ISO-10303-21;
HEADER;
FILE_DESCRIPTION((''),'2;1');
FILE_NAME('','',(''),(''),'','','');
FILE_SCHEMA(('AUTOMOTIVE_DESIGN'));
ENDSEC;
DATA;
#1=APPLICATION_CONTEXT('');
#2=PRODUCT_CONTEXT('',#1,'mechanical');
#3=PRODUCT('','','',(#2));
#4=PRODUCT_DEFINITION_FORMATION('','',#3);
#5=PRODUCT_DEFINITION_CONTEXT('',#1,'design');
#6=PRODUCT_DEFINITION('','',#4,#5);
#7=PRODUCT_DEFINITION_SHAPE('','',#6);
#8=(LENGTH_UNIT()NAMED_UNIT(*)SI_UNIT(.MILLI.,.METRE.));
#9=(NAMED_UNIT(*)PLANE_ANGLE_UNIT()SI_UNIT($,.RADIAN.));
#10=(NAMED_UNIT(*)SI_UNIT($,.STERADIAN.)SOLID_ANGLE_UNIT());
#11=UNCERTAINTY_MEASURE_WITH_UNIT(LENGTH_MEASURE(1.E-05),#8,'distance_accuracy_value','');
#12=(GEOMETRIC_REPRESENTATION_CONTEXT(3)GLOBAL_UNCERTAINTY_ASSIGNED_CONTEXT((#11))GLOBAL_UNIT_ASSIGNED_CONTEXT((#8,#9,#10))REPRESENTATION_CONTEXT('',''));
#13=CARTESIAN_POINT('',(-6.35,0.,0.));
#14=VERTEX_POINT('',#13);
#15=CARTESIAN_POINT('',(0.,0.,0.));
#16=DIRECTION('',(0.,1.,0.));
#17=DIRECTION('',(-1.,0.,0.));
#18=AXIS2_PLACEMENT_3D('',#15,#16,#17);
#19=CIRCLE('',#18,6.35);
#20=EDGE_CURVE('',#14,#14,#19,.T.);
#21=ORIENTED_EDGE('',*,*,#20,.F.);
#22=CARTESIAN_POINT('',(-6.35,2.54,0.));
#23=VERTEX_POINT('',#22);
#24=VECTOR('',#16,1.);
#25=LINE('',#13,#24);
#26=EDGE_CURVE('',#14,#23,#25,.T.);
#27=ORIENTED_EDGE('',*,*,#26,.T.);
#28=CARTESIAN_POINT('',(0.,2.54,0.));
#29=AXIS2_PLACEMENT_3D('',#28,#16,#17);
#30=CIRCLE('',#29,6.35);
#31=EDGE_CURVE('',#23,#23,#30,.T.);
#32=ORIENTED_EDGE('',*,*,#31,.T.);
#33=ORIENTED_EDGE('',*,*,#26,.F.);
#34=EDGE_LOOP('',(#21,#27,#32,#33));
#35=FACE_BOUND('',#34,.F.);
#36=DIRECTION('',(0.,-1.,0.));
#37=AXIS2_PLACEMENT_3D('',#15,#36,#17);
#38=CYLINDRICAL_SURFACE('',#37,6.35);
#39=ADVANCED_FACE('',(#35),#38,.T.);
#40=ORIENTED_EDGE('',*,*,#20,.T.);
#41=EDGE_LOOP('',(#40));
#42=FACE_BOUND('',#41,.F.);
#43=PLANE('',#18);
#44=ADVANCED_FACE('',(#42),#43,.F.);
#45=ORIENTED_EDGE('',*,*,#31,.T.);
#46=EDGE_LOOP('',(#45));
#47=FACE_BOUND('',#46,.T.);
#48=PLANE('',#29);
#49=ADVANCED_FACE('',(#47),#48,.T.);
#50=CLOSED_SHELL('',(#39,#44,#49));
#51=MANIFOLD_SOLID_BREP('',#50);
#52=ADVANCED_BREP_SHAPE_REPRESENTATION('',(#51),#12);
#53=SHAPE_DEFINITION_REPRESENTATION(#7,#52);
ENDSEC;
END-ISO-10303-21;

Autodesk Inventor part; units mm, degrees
ref_plane "YZ Plane" through (0, 0, 0) normal (1, 0, 0) x (0, 1, 0)
ref_plane "XZ Plane" through (0, 0, 0) normal (0, 1, 0) x (-1, 0, 0)
ref_plane "XY Plane" through (0, 0, 0) normal (0, 0, 1) x (1, 0, 0)
sketch "Sketch1" plane through (0, 0, 0) normal (0, 1, 0) x (-1, 0, 0)
  circle A0 centre (0, 0) radius 6.35
  dimension "d0" = 12.7
extrude "Extrusion1" add sketch "Sketch1" along normal blind 2.54
sketch "Sketch2" plane through (0, 2.54, 0) normal (0, 1, 0) x (1, 0, 0)
  circle A0 centre (0, 0) radius 11.303
  dimension "d3" = 22.606
extrude "Extrusion2" [suppressed]
sketch "Sketch3" plane through (0, 0, 0) normal (1, 0, 0) x (0, 1, 0)
  line L0 (-73.66, 11.303) -> (-73.66, -11.303) projected
  line L1 (-73.66, 0) -> (-102.235, 0)
  spline S0 degree 4 poles (-102.235, 0) (-102.235, 1.4876) (-95.7427, 4.1779) (-93.4404, 7.0687) (-76.6738, 11.303) (-73.66, 11.303) knots 0 0 0 0 0 0.432698 1 1 1 1 1
  line L2 (-75.2481, 11.303) -> (-72.0719, 11.303) construction
  arc A0 (-72.4281, 11.1502) -> (-74.8919, 11.1502) centre (-73.66, 6.2614) ccw construction
  line L3 (-102.235, -2.1009) -> (-102.235, 2.1009) construction
  arc A1 (-101.7413, 0.8907) -> (-101.7413, -0.8907) centre (-101.1846, 0) ccw construction
  point P0 (0, 0)
  point P1 (-99.695, 2.54)
  point P2 (-92.075, 6.35)
  dimension "d11" = 28.575
  dimension "d12" = 2.54
  dimension "d13" = 2.54
  dimension "d14" = 6.35
  dimension "d15" = 10.16
revolve "Revolution1" [suppressed]
properties part number "Chalk"
